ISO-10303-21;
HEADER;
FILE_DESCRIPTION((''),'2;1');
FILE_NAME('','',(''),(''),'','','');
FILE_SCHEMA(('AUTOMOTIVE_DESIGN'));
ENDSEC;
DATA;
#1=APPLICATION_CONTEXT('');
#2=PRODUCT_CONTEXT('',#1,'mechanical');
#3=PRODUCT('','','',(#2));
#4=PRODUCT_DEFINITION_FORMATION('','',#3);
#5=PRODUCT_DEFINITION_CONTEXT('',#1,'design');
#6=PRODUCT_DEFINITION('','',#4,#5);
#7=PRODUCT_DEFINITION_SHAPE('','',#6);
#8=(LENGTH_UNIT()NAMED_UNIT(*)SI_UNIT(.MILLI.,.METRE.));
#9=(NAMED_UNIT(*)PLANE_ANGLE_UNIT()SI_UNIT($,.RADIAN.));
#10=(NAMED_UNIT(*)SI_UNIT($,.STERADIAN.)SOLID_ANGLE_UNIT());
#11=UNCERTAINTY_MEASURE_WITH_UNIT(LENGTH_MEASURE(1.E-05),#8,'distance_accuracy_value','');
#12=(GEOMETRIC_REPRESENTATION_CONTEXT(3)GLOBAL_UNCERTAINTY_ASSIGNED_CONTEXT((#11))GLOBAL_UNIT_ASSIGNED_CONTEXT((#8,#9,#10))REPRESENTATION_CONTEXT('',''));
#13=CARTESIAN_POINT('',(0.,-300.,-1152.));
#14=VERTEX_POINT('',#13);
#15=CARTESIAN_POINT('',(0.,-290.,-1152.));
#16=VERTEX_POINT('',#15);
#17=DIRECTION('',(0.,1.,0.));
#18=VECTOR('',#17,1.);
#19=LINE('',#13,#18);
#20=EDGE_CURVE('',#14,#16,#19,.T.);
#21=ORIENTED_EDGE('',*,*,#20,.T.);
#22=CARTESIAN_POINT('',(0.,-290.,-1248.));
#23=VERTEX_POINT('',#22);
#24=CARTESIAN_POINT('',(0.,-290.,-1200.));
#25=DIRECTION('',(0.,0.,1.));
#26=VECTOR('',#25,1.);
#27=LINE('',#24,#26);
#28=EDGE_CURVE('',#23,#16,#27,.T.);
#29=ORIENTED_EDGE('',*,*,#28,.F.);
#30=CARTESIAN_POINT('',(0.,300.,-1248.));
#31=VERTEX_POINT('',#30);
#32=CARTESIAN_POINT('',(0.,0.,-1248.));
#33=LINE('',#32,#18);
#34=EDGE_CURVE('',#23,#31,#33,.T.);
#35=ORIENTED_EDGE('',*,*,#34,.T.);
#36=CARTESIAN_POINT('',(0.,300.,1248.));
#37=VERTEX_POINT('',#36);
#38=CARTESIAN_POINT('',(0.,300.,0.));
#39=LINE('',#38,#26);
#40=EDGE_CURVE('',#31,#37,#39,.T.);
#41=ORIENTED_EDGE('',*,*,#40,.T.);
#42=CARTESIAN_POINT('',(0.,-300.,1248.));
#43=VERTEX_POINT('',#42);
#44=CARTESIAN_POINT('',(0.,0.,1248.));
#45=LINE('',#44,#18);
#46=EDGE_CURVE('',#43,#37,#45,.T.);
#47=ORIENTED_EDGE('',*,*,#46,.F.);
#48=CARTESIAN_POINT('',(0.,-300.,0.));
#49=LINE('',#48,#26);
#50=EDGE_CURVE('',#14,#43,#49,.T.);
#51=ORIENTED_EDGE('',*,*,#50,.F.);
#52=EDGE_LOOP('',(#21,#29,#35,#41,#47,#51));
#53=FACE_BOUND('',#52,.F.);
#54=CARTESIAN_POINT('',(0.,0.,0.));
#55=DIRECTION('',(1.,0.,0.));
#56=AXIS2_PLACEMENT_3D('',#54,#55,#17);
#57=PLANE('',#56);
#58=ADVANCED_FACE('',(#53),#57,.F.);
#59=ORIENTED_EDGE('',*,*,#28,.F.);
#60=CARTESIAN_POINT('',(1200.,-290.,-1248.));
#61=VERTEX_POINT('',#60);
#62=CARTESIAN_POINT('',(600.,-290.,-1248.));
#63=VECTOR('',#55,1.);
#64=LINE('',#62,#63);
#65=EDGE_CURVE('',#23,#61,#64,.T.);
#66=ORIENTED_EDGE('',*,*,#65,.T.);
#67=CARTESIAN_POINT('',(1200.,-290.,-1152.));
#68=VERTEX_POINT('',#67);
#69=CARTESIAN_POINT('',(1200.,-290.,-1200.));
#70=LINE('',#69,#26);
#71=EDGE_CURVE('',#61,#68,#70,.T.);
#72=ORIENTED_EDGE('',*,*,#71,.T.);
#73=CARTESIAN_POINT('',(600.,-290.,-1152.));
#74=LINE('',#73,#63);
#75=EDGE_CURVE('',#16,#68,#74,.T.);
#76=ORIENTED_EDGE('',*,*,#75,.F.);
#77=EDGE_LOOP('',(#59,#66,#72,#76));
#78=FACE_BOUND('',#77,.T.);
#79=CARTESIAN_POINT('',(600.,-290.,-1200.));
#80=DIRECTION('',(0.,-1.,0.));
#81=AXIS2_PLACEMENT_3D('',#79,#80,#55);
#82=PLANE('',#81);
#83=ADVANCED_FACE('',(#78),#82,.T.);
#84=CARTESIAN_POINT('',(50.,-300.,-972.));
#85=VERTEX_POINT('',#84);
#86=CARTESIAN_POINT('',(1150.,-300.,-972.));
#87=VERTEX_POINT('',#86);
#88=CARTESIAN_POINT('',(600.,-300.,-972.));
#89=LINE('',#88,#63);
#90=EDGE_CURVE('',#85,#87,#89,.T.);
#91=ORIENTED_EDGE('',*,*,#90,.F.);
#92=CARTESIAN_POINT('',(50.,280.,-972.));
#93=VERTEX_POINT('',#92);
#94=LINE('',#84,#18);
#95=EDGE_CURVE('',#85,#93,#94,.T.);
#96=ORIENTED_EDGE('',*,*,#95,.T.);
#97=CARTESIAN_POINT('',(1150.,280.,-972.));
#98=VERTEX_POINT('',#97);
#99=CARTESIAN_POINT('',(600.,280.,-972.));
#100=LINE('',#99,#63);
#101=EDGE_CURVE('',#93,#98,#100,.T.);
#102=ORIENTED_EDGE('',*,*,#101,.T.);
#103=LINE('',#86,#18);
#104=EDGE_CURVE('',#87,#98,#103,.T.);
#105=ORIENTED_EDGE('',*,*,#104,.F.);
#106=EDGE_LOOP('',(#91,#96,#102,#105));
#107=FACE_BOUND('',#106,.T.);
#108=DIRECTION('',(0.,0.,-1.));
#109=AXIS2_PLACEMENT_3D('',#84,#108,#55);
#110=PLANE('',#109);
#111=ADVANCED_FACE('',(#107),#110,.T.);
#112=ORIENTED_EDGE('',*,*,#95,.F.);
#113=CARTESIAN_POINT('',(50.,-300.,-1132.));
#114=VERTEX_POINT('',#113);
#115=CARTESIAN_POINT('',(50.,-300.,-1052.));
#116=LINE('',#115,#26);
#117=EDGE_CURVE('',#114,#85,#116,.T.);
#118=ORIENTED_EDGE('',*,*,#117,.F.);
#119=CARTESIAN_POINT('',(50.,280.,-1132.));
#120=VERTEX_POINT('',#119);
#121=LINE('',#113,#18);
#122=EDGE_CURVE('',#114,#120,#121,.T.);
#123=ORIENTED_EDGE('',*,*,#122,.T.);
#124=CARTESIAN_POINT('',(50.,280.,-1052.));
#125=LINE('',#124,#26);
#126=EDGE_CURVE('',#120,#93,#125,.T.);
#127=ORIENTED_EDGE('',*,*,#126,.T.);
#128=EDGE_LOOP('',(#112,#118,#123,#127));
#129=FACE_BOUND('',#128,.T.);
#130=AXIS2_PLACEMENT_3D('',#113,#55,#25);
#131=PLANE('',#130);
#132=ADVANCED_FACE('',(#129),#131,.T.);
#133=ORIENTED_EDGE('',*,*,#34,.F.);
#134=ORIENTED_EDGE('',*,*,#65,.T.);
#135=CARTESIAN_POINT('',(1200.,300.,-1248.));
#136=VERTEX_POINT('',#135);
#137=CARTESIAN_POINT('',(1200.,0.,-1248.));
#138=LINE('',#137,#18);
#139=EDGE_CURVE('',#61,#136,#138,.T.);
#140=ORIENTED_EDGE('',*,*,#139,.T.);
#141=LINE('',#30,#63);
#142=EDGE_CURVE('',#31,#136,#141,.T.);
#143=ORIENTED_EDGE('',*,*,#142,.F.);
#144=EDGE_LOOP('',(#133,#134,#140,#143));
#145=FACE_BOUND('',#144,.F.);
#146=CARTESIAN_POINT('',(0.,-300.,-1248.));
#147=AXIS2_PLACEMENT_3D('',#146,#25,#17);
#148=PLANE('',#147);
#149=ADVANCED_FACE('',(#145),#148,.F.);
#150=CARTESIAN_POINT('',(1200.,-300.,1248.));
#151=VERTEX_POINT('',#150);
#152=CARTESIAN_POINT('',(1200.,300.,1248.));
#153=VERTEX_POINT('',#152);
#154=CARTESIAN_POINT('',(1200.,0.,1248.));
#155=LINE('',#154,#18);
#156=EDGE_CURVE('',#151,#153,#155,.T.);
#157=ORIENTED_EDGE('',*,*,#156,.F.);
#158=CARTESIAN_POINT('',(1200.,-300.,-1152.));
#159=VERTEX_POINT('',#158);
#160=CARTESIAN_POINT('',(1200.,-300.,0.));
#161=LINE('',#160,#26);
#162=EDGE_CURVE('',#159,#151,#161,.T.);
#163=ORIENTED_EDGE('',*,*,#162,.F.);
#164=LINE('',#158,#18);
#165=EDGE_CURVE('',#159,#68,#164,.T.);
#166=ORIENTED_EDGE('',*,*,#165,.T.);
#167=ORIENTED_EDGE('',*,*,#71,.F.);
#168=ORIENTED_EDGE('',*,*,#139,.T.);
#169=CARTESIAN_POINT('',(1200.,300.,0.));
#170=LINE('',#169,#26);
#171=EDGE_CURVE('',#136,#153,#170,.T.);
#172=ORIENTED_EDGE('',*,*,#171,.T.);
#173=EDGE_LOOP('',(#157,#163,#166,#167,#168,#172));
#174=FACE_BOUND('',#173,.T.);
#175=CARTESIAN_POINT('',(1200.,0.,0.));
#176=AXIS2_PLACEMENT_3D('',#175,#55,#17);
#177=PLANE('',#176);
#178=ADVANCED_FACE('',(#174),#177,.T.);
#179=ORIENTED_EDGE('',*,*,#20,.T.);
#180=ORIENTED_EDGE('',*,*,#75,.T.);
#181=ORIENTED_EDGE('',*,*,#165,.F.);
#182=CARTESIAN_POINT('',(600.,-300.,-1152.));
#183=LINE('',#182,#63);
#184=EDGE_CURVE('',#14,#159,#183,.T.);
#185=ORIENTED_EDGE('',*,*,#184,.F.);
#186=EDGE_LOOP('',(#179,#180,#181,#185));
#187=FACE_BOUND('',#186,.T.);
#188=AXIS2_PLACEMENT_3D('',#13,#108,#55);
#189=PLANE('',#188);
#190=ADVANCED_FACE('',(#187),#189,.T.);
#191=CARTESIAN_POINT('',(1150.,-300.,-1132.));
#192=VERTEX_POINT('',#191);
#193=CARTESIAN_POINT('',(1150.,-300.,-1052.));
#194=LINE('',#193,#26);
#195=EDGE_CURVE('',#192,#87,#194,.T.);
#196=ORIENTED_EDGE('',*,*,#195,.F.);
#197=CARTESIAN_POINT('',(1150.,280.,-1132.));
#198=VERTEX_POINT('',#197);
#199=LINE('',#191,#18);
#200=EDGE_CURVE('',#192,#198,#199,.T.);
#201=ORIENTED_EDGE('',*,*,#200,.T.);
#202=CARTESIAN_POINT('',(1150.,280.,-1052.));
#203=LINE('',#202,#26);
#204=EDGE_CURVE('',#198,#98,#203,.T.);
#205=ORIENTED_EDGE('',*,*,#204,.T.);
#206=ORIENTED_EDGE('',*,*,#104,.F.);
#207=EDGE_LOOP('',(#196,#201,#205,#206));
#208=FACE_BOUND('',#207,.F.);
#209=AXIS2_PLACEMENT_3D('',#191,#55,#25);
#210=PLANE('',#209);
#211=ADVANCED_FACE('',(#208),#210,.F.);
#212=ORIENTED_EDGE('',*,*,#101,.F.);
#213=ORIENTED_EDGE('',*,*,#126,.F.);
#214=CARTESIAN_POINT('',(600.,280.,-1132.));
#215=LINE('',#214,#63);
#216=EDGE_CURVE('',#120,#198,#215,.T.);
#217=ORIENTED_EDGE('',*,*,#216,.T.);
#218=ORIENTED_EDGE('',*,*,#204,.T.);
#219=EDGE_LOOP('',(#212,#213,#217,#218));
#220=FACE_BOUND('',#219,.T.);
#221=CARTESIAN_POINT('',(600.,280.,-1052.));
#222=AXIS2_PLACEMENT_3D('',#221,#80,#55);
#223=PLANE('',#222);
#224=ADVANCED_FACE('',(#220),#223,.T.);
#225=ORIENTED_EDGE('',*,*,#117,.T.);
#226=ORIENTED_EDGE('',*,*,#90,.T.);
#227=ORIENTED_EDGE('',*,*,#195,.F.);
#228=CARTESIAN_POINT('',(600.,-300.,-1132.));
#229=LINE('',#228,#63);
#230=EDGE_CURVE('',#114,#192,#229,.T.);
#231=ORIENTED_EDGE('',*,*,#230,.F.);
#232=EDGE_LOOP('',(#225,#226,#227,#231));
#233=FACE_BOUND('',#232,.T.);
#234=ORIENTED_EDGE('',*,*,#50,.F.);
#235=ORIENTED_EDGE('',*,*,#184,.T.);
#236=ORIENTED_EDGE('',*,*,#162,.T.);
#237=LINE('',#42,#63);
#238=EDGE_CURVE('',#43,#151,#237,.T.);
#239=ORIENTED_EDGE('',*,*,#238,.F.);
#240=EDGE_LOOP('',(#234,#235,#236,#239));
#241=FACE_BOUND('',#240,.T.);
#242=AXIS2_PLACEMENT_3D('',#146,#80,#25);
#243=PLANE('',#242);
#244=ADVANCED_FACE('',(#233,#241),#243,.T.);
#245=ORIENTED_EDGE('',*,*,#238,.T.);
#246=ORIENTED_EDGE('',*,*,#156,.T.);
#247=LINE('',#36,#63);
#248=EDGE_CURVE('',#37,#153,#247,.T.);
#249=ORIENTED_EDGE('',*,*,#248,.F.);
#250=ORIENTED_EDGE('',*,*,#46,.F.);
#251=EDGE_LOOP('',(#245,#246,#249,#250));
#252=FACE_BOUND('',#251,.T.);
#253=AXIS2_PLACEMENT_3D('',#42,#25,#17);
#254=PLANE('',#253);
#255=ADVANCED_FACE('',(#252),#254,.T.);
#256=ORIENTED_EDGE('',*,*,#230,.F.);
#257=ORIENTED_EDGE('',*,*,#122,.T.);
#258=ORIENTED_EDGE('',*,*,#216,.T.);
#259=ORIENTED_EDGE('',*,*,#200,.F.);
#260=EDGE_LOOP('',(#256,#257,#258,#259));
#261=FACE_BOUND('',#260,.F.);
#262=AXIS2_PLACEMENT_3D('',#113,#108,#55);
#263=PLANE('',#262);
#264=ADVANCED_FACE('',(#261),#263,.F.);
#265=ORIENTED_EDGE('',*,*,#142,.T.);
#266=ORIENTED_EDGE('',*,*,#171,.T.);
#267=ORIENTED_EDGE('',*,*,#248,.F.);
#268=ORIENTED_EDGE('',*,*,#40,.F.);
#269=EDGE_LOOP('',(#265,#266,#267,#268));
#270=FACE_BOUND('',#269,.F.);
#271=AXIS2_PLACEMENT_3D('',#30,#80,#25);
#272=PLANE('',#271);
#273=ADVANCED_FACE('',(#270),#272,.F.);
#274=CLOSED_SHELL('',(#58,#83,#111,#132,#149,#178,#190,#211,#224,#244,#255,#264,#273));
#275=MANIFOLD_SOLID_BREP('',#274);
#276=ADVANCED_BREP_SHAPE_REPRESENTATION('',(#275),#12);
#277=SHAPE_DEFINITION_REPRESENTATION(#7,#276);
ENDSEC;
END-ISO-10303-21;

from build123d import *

# Parameters (mm, degrees)
F0_W     = 600
F0_H     = 2496
F1_DEPTH = 1200
F2_W     = 1200
F2_H     = 96
F3_DEPTH = 10
F4_W     = 1100
F4_H     = 160
F5_DEPTH = 580


with BuildPart() as f1:
    # F0 (on Right) → F1 (new body)
    with BuildSketch(Plane.YZ):
        Rectangle(F0_W, F0_H)
    extrude(amount=F1_DEPTH)

    # F2 (on face) → F3 (cut)
    with BuildSketch(Plane.XZ.offset(300)):
        with Locations((600, -1200)):
            Rectangle(F2_W, F2_H)
    extrude(amount=-F3_DEPTH, mode=Mode.SUBTRACT)

    # F4 (on face) → F5 (cut)
    with BuildSketch(Plane.XZ.offset(300)):
        with Locations((600, -1052)):
            Rectangle(F4_W, F4_H)
    extrude(amount=-F5_DEPTH, mode=Mode.SUBTRACT)


solid = f1.part
